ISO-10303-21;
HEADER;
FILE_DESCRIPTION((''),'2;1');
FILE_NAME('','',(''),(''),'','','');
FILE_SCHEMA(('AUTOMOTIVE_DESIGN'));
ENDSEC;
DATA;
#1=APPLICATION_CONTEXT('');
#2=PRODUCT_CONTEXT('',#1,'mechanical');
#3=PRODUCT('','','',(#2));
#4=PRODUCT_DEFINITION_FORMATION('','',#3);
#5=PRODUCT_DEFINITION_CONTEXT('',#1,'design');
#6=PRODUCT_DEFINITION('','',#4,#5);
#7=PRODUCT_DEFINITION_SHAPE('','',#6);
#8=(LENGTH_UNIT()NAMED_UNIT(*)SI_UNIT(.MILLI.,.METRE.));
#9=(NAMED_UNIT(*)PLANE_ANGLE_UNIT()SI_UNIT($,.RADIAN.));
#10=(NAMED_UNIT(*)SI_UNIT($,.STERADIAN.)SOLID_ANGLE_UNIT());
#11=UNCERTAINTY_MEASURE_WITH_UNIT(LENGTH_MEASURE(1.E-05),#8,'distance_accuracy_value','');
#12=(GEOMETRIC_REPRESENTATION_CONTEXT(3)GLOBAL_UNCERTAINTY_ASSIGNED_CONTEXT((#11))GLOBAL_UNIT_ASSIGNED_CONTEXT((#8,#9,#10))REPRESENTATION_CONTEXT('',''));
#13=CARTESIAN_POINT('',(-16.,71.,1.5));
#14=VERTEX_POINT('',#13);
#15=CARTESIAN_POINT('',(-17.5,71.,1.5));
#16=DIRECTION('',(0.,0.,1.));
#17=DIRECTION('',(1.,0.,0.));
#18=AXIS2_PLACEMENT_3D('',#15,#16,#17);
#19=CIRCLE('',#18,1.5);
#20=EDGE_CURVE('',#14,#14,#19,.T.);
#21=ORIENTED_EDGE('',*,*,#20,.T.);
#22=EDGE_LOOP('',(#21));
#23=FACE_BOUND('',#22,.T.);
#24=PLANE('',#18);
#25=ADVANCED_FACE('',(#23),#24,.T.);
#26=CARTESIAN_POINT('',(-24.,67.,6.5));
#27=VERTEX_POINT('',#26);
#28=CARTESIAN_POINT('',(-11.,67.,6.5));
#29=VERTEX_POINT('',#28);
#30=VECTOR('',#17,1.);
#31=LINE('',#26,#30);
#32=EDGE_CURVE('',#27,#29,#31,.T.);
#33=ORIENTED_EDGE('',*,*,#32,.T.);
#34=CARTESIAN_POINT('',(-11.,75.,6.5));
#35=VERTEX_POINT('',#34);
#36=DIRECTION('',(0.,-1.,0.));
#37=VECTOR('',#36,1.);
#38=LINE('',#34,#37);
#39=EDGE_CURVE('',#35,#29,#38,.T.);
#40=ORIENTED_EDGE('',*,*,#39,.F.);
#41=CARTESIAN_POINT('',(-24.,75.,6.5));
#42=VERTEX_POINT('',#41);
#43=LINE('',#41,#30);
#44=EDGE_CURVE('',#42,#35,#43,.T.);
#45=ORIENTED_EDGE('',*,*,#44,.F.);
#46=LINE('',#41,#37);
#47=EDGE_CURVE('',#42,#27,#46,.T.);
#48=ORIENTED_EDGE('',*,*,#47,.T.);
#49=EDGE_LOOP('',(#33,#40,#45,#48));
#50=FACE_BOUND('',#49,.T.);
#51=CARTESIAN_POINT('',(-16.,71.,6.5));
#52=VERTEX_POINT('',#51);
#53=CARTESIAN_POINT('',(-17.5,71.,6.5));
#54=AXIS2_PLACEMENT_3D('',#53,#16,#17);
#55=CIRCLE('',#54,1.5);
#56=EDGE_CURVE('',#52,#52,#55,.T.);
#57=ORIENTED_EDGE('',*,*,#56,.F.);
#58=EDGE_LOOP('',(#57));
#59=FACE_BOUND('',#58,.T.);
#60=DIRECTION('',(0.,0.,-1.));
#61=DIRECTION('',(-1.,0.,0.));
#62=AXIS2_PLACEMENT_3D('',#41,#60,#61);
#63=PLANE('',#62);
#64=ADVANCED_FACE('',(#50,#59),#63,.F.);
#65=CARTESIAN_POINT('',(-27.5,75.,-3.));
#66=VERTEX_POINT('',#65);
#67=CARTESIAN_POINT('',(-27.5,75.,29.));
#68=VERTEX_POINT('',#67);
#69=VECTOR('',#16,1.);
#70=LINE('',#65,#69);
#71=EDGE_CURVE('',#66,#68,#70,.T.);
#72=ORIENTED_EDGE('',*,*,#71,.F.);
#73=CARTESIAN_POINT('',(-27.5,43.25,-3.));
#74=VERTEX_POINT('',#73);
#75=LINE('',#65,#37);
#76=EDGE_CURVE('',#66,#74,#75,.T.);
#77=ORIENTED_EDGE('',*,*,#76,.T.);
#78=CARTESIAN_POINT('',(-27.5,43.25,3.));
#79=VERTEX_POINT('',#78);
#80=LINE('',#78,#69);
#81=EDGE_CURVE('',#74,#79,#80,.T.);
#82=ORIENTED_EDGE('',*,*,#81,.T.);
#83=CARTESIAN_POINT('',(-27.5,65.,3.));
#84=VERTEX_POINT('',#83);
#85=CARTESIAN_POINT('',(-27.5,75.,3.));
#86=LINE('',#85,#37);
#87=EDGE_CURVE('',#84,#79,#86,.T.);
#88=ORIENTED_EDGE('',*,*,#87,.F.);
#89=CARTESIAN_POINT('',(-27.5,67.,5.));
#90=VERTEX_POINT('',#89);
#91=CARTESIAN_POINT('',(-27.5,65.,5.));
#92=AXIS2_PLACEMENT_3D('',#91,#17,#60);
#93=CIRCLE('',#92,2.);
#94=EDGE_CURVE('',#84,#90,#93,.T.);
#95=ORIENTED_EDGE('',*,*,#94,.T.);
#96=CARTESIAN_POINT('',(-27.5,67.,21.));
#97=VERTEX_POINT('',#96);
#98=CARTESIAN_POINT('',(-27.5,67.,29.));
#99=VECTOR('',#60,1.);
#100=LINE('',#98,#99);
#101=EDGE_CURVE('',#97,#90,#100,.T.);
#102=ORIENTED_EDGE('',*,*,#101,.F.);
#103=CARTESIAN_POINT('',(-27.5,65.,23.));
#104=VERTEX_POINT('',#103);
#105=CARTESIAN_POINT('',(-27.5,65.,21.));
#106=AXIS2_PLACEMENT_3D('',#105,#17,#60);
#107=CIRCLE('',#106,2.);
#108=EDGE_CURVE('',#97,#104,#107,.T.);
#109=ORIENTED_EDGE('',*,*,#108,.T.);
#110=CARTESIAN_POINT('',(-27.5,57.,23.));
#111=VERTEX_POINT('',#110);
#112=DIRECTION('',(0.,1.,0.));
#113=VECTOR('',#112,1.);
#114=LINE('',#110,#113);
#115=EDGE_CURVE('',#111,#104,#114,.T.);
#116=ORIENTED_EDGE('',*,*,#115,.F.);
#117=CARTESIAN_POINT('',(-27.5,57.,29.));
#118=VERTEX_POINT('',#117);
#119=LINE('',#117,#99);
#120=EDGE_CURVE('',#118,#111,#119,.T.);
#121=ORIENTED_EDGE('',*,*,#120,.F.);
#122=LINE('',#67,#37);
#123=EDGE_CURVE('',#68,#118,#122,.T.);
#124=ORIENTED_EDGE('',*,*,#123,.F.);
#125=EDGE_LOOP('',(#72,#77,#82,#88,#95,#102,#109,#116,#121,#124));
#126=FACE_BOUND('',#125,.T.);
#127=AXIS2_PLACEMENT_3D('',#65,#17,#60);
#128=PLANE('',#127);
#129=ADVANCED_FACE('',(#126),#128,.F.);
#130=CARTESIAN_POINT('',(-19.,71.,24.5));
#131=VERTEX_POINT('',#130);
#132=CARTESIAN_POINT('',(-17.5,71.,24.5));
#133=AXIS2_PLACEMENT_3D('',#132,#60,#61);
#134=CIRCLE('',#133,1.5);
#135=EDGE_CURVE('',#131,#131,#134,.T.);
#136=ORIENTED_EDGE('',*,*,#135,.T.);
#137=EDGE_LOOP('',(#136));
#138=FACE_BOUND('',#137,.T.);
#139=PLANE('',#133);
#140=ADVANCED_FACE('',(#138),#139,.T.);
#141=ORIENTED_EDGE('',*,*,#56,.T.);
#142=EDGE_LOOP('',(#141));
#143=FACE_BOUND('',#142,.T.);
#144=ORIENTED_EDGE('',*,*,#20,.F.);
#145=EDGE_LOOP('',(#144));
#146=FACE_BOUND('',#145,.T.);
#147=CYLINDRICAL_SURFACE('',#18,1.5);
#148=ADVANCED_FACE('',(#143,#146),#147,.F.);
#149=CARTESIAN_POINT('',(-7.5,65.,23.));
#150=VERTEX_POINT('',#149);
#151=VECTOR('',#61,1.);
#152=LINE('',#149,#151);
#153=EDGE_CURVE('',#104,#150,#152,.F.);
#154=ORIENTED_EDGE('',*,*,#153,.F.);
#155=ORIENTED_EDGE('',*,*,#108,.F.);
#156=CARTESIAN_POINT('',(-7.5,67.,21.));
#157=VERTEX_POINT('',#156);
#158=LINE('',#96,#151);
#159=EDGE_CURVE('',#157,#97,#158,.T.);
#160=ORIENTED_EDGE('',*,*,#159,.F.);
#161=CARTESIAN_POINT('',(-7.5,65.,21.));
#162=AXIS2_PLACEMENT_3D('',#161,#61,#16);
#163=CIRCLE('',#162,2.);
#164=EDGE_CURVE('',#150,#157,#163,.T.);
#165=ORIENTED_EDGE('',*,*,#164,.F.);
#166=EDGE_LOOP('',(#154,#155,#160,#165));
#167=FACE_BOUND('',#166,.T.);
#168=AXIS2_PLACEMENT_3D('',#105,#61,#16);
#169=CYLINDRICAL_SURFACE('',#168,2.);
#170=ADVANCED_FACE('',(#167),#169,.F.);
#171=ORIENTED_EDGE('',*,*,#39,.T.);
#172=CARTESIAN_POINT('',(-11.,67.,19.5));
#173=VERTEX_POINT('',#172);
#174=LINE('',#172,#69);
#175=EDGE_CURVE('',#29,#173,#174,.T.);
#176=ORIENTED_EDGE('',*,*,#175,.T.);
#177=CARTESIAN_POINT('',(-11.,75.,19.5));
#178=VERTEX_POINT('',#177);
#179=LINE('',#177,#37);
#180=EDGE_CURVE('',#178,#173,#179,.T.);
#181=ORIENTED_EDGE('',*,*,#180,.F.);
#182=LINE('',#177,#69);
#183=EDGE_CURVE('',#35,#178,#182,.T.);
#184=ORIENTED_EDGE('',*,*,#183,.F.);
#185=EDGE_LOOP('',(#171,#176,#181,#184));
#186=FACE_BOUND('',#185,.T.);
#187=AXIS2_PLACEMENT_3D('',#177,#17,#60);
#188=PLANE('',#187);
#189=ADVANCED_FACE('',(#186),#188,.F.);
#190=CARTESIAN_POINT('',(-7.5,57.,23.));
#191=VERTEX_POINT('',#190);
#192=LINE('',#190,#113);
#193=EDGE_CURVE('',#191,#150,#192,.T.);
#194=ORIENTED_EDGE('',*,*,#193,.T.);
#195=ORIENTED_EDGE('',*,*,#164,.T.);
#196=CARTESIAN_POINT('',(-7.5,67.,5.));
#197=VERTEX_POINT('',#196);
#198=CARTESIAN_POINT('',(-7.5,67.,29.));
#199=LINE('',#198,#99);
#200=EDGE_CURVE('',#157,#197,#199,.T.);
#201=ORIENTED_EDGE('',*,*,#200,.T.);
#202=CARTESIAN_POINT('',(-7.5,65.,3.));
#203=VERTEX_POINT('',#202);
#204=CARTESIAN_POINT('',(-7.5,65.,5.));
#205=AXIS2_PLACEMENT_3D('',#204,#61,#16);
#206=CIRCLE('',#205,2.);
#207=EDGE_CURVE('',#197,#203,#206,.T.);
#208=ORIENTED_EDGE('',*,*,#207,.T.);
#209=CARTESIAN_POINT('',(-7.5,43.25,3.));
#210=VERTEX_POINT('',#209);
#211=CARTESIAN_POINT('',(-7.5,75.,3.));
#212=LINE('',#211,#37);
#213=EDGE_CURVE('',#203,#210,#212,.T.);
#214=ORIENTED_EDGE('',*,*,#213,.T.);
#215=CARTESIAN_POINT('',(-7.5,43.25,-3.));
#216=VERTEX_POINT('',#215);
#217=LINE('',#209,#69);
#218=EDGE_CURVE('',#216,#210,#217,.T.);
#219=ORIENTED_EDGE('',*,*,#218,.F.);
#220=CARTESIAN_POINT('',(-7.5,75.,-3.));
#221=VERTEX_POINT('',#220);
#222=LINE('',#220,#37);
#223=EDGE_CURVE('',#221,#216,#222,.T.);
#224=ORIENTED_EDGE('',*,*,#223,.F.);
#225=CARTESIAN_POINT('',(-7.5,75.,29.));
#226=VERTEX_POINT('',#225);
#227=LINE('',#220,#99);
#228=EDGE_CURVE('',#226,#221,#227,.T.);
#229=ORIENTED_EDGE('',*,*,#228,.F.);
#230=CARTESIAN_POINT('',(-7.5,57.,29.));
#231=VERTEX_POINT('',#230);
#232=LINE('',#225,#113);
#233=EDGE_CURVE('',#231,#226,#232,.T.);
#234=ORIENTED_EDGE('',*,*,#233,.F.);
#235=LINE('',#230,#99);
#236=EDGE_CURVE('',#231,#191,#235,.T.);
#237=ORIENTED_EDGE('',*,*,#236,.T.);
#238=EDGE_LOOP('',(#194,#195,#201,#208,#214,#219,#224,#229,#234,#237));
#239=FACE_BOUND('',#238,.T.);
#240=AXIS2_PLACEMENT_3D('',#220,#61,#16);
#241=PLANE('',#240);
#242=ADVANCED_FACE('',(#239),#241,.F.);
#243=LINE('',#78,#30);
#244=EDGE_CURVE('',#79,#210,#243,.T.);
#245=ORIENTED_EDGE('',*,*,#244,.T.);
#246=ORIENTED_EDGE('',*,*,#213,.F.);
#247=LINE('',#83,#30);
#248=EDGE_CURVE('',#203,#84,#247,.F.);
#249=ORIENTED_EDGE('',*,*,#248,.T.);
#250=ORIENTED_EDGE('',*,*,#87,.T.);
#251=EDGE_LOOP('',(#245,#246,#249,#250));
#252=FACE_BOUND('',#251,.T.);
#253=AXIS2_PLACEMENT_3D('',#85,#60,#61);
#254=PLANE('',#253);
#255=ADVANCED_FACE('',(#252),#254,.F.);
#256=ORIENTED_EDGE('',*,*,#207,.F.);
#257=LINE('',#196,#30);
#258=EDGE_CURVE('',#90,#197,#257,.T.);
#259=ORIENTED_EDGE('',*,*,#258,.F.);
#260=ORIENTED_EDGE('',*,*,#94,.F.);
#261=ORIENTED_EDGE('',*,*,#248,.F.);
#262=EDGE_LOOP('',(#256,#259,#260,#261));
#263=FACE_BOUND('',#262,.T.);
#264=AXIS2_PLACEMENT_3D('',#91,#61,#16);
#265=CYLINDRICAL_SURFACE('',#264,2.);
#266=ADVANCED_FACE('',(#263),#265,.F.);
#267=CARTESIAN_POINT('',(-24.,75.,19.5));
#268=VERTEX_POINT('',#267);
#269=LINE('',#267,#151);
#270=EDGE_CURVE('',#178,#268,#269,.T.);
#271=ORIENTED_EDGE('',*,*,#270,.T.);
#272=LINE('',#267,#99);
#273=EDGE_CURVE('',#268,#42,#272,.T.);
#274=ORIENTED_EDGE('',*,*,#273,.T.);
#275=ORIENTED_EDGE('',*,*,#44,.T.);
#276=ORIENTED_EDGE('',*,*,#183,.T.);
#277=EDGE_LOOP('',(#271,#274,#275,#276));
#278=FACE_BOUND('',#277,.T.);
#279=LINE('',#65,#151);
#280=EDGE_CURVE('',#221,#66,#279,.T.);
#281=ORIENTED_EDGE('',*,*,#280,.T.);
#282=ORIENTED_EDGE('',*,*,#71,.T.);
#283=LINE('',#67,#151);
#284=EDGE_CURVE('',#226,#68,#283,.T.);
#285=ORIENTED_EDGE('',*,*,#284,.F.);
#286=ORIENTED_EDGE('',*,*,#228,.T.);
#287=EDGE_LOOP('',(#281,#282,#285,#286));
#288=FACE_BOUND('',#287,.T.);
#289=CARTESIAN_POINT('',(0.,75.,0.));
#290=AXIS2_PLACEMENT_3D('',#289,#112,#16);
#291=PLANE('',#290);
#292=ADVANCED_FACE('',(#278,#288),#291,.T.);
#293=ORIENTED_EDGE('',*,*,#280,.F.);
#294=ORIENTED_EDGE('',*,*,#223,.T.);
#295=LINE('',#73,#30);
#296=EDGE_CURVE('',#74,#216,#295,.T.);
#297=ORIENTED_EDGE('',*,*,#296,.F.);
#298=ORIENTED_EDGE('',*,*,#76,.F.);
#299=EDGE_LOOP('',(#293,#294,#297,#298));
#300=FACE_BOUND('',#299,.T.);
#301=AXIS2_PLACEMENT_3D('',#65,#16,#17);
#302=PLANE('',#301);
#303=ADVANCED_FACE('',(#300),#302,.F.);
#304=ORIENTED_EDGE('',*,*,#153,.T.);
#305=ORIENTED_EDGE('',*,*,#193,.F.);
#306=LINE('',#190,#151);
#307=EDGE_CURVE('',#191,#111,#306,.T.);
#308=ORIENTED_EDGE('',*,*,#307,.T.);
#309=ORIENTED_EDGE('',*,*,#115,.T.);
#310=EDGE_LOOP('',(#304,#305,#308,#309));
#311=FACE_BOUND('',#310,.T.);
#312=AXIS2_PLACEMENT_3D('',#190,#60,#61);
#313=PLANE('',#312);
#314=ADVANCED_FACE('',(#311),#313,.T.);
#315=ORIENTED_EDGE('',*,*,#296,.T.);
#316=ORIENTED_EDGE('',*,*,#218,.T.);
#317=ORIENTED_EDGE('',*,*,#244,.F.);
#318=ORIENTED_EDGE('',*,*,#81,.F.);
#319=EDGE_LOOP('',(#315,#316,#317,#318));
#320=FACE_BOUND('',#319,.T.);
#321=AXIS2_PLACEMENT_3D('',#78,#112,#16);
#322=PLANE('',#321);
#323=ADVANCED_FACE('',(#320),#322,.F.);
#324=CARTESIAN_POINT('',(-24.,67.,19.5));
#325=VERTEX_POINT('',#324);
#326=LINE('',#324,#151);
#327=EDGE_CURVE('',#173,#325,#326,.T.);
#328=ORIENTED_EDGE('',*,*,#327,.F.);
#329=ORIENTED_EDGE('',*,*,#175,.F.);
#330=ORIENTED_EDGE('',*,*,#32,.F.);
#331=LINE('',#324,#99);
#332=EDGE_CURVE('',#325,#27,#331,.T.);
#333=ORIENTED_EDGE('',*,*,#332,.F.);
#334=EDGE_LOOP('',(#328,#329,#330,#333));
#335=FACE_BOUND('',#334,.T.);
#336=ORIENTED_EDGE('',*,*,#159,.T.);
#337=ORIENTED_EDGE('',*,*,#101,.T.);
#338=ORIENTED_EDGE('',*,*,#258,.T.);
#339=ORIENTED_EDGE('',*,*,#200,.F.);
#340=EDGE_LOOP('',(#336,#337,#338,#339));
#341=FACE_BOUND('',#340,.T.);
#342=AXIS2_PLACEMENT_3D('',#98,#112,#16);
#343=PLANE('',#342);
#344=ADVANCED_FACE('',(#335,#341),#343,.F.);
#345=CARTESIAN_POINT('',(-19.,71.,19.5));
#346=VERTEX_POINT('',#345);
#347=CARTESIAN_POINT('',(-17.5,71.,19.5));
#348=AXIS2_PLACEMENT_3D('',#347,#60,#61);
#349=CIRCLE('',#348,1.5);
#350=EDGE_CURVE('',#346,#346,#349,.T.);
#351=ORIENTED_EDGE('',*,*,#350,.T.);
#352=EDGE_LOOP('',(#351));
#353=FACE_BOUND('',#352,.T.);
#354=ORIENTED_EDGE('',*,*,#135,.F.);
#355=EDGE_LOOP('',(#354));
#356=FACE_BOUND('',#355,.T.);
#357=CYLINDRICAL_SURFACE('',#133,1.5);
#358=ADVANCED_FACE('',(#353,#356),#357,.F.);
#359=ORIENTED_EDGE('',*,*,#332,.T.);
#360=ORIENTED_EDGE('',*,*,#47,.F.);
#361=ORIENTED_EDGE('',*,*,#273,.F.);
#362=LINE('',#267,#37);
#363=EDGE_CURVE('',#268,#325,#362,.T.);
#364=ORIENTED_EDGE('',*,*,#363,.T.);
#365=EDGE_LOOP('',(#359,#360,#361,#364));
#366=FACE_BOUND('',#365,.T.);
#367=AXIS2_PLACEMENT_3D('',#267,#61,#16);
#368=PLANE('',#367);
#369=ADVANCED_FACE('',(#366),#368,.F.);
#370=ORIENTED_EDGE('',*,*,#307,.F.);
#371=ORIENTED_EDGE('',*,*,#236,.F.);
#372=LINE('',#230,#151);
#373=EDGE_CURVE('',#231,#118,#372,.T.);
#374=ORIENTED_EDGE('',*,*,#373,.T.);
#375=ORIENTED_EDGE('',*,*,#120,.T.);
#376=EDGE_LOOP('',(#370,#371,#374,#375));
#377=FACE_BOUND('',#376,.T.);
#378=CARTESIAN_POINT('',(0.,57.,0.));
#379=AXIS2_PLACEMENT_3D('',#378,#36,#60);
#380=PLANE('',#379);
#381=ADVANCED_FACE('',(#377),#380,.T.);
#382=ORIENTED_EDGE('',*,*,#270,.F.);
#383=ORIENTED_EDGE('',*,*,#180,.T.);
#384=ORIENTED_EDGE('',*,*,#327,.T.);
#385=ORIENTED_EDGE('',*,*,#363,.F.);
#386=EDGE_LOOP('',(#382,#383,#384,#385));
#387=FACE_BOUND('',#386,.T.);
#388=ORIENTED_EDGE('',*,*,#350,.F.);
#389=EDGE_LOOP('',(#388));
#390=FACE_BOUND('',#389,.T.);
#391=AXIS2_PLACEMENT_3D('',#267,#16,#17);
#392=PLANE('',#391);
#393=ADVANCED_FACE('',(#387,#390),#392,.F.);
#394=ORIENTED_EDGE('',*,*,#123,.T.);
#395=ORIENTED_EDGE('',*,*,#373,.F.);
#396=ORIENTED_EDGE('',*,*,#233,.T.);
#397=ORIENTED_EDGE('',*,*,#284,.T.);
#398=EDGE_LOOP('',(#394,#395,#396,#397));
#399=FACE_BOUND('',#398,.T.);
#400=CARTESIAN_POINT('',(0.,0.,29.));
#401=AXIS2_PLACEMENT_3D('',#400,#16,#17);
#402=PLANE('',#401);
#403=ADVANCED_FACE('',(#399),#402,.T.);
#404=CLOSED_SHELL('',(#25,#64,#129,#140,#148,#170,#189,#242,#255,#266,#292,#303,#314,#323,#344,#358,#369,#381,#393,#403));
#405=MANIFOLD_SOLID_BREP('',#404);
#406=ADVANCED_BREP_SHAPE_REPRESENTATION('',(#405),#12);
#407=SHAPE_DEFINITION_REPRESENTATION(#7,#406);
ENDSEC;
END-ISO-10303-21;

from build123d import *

# Parameters (mm, degrees)
SKETCH1_W           = 20
SKETCH1_H           = 6
BOSS_EXTRUDE1_DEPTH = 75
SKETCH2_W           = 20
SKETCH2_H           = 8
BOSS_EXTRUDE2_DEPTH = 26
SKETCH3_W           = 20
SKETCH3_H           = 6
BOSS_EXTRUDE3_DEPTH = 10
SKETCH6_W           = 13
SKETCH6_H           = 13
CUT_EXTRUDE1_DEPTH  = 79.014421744
SKETCH8_R           = 1.5
CUT_EXTRUDE3_DEPTH  = 5
CUT_EXTRUDE4_START  = -5
SKETCH9_R           = 1.5
CUT_EXTRUDE4_DEPTH  = 5
FILLET1_R           = 2
SKETCH10_W          = 6
SKETCH10_H          = 44.050587659
CUT_EXTRUDE5_DEPTH  = 20


with BuildPart() as part:
    # Sketch1 → Boss-Extrude1 (new body)
    with BuildSketch(Plane(origin=(0, 0, 0), x_dir=(1, 0, 0), z_dir=(0, 1, 0))):
        with Locations((-17.5, 0)):
            Rectangle(SKETCH1_W, SKETCH1_H)
    extrude(amount=BOSS_EXTRUDE1_DEPTH)

    # Sketch2 → Boss-Extrude2 (add)
    with BuildSketch(Plane.XY.offset(3)):
        with Locations((-17.5, 71)):
            Rectangle(SKETCH2_W, SKETCH2_H)
    extrude(amount=BOSS_EXTRUDE2_DEPTH)

    # Sketch3 → Boss-Extrude3 (add)
    with BuildSketch(Plane.XZ.offset(-67)):
        with Locations((-17.5, 26)):
            Rectangle(SKETCH3_W, SKETCH3_H)
    extrude(amount=BOSS_EXTRUDE3_DEPTH)

    # Sketch6 → Cut-Extrude1 (cut, through all)
    with BuildSketch(Plane.XZ.offset(-67)):
        with Locations((-17.5, 13)):
            Rectangle(SKETCH6_W, SKETCH6_H)
    extrude(amount=-CUT_EXTRUDE1_DEPTH, mode=Mode.SUBTRACT)

    # Sketch8 → Cut-Extrude3 (cut)
    with BuildSketch(Plane.XY.offset(6.5)):
        with Locations((-17.5, 71)):
            Circle(SKETCH8_R)
    extrude(amount=-CUT_EXTRUDE3_DEPTH, mode=Mode.SUBTRACT)

    # Sketch9 → Cut-Extrude4 (cut)
    with BuildSketch(Plane(origin=(0, 0, 19.5), x_dir=(-1, 0, 0), z_dir=(0, 0, -1)).offset(CUT_EXTRUDE4_START)):
        with Locations(Location((17.5, 71, 0), (0, 0, 180))):
            Circle(SKETCH9_R)
    extrude(amount=CUT_EXTRUDE4_DEPTH, mode=Mode.SUBTRACT)

    # Fillet1
    fillet1_edges = [part.edges().sort_by_distance(p)[0] for p in [
        (-17.5, 67, 3),
        (-17.5, 67, 23),
    ]]
    fillet(fillet1_edges, radius=FILLET1_R)

    # Sketch10 → Cut-Extrude5 (cut)
    with BuildSketch(Plane(origin=(-7.5, 0, 0), x_dir=(0, 0, -1), z_dir=(1, 0, 0))):
        with Locations((0, 21.22470617)):
            Rectangle(SKETCH10_W, SKETCH10_H)
    extrude(amount=-CUT_EXTRUDE5_DEPTH, mode=Mode.SUBTRACT)


solid = part.part
